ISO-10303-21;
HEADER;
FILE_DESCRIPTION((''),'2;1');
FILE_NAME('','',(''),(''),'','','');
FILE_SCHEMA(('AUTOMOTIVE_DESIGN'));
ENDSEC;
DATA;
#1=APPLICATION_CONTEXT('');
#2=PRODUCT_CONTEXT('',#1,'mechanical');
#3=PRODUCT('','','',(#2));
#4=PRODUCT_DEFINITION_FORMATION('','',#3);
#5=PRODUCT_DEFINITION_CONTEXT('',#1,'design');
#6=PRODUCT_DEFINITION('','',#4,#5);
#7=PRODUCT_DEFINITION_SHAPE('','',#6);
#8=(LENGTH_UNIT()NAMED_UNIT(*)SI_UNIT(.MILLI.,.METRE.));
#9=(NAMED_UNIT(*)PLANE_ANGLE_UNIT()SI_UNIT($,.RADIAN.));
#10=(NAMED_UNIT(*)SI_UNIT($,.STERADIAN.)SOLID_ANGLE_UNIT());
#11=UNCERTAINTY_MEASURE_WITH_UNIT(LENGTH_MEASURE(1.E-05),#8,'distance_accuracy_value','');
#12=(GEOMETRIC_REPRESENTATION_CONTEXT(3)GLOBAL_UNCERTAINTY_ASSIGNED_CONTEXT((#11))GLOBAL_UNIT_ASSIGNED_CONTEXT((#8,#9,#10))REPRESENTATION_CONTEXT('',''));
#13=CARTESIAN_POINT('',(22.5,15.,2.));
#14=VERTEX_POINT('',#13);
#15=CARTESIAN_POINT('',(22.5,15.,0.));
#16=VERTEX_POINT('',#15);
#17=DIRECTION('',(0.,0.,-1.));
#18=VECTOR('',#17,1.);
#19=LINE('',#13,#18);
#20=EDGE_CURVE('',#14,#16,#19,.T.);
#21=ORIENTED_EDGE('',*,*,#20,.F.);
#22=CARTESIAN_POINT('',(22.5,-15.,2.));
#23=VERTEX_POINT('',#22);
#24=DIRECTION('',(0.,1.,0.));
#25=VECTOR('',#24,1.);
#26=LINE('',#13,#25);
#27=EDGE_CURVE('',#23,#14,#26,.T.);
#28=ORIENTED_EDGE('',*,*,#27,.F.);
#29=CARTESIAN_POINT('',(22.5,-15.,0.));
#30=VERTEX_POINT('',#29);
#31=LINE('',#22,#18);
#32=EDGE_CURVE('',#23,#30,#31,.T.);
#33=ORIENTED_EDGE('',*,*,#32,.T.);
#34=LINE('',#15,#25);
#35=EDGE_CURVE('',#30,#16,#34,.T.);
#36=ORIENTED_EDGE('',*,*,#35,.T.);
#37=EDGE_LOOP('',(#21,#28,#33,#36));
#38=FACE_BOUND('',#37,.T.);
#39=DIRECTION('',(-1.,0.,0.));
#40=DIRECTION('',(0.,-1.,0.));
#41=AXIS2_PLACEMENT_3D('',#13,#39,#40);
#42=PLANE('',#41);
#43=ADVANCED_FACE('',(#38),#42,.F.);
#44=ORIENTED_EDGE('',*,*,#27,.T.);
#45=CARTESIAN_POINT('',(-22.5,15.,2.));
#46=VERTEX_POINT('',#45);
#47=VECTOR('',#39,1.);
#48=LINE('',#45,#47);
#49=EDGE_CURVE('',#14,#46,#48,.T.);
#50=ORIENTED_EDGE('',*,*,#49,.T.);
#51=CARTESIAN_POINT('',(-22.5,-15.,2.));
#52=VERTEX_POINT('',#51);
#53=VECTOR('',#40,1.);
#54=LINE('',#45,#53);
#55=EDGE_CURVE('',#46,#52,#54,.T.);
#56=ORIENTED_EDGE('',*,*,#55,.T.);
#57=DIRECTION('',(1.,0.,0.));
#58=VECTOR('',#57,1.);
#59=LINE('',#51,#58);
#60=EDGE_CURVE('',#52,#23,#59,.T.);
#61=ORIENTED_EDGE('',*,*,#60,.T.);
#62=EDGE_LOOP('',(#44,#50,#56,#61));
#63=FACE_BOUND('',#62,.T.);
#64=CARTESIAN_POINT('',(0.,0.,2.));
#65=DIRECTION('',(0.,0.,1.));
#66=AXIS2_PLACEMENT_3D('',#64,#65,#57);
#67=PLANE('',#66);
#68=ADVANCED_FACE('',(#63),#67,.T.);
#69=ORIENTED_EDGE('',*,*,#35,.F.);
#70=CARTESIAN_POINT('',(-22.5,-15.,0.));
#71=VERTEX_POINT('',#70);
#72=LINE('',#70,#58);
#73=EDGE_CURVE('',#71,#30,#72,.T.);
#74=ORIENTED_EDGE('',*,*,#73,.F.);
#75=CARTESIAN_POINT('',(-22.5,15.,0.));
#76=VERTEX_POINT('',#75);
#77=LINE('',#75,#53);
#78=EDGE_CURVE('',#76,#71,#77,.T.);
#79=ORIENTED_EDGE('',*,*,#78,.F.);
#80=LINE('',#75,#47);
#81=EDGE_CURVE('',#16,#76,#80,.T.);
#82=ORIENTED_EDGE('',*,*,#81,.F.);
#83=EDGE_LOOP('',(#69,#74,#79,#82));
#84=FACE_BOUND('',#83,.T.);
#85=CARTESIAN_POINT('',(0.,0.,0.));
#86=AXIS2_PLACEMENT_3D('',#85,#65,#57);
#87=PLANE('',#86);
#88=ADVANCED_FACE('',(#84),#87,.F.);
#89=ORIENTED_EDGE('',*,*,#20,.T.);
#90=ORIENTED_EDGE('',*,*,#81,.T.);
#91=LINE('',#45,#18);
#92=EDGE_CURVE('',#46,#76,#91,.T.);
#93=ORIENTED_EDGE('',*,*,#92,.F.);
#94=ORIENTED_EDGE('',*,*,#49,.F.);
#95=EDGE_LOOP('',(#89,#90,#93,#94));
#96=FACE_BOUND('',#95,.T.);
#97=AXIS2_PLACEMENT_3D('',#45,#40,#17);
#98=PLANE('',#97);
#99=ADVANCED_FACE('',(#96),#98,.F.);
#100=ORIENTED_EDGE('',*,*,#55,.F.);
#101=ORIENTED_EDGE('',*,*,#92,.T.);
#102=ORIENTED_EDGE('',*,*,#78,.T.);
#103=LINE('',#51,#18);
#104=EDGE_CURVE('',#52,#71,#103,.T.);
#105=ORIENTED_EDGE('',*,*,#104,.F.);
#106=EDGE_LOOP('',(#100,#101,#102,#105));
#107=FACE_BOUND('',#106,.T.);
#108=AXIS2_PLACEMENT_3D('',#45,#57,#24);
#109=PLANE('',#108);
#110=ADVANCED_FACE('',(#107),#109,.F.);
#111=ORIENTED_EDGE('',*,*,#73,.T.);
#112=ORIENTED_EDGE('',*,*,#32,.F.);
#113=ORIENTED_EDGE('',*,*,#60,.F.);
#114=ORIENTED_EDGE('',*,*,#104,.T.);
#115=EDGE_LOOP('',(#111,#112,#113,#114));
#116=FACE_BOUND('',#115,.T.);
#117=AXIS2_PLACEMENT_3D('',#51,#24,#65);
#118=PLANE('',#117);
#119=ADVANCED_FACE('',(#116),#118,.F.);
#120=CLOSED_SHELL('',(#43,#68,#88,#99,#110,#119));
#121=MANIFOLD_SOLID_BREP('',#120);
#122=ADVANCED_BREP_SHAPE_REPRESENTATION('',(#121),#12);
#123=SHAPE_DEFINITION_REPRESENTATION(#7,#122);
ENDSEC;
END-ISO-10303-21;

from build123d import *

# Parameters (mm, degrees)
SKETCH1_W           = 45
SKETCH1_H           = 30
BOSS_EXTRUDE1_DEPTH = 2


with BuildPart() as part:
    # Sketch1 → Boss-Extrude1 (new body)
    with BuildSketch(Plane.XY):
        Rectangle(SKETCH1_W, SKETCH1_H)
    extrude(amount=BOSS_EXTRUDE1_DEPTH)


solid = part.part
